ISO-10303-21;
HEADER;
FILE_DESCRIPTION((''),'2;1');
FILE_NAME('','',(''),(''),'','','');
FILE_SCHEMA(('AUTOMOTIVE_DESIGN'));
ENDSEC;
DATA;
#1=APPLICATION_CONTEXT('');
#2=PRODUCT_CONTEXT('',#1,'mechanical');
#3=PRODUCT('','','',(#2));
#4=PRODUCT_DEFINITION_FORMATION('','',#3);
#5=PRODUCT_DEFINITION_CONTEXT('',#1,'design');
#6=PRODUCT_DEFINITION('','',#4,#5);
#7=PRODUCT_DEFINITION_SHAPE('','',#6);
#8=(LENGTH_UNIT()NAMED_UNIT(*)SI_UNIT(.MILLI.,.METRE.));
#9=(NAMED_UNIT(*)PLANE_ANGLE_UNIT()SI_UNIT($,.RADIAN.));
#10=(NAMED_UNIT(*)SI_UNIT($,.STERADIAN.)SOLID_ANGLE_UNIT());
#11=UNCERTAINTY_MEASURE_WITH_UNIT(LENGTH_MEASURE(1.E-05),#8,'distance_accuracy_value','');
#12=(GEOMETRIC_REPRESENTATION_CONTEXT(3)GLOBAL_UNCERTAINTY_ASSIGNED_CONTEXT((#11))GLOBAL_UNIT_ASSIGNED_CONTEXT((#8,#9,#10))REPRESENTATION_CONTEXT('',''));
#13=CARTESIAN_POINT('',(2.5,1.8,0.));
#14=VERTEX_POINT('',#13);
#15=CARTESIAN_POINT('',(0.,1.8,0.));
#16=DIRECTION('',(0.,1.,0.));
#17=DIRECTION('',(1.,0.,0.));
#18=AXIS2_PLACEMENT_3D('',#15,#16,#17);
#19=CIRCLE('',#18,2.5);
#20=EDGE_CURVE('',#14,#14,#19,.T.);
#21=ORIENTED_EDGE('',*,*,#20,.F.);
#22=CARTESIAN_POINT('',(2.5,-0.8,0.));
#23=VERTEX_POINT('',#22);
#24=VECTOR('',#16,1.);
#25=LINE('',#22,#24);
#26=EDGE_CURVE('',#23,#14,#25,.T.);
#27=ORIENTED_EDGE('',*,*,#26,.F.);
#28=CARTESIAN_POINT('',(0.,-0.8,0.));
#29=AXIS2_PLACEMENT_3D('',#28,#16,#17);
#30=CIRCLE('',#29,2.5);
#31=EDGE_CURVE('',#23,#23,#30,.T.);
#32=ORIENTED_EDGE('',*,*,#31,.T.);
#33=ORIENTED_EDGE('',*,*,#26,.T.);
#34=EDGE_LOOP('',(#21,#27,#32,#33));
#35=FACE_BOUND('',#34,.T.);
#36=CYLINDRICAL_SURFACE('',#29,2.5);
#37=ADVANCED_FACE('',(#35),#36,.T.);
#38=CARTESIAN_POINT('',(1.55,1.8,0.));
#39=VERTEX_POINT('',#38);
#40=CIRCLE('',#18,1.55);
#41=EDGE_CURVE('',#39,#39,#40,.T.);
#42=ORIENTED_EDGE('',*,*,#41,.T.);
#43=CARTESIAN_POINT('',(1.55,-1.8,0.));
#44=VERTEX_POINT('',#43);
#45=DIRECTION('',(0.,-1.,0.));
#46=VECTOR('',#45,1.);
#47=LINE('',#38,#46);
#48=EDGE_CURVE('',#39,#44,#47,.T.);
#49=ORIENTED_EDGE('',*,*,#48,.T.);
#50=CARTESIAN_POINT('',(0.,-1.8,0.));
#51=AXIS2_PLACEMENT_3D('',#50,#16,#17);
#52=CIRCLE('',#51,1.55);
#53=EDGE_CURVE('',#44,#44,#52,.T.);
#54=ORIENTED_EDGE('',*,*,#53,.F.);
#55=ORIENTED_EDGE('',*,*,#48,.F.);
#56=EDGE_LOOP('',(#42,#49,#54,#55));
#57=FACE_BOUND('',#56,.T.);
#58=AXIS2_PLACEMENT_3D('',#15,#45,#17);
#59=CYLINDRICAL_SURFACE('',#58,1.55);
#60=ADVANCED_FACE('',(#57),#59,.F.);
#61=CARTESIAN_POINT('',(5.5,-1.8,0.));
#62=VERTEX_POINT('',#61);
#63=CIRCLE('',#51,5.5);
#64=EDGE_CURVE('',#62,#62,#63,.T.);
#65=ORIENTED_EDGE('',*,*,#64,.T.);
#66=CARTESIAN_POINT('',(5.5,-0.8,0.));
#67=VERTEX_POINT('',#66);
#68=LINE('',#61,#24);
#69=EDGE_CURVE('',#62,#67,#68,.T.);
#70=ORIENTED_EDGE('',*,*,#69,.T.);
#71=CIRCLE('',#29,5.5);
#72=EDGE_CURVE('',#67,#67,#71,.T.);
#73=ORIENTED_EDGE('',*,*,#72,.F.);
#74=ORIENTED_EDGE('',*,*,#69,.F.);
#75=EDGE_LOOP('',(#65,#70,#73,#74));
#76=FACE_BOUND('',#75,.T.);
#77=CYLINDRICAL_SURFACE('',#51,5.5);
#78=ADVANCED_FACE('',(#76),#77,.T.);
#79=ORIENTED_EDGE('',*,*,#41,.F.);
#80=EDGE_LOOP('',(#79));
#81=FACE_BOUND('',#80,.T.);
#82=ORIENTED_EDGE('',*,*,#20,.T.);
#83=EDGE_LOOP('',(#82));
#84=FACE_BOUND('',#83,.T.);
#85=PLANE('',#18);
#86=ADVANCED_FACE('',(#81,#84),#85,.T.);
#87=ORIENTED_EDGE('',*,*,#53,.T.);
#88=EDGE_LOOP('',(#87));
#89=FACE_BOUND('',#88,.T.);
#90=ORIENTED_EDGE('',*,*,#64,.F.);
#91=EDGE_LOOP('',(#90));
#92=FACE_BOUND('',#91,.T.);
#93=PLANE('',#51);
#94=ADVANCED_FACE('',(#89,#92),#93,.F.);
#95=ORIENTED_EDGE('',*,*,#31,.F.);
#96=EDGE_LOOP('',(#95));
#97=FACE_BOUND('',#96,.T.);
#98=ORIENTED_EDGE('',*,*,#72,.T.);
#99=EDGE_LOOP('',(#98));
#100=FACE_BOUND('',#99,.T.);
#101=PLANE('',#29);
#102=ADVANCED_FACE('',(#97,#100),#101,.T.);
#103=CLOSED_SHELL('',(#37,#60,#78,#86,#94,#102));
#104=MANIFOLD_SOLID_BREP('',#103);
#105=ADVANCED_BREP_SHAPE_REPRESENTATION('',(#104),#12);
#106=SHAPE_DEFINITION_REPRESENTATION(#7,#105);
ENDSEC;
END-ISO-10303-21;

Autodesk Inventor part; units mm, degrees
ref_plane "YZ Plane" through (0, 0, 0) normal (1, 0, 0) x (0, 1, 0)
ref_plane "XZ Plane" through (0, 0, 0) normal (0, 1, 0) x (-1, 0, 0)
ref_plane "XY Plane" through (0, 0, 0) normal (0, 0, 1) x (1, 0, 0)
sketch "スケッチ1" plane through (0, 0, 0) normal (0, 0, 1) x (1, 0, 0)
  line L0 (1.55, 1.8) -> (1.55, -1.8)
  line L1 (1.55, -1.8) -> (5.5, -1.8)
  line L2 (5.5, -1.8) -> (5.5, -0.8)
  line L3 (5.5, -0.8) -> (2.5, -0.8)
  line L4 (2.5, -0.8) -> (2.5, 1.8)
  line L5 (2.5, 1.8) -> (1.55, 1.8)
  line L6 (0, -2.52) -> (0, 2.52) projected
  point P0 (0, 0)
  point P1 (1.55, 0)
  dimension "d0" = 2.5
  dimension "d1" = 1.55
  dimension "d2" = 5.5
  dimension "d3" = 1
  dimension "d7" = 2.6
revolve "回転1" add sketch "スケッチ1" angle 360 about axis through (0, -10, 0) along (0, 1, 0)
properties part number "足首_スペーサ_1_2" material "アセタール樹脂、黒"
